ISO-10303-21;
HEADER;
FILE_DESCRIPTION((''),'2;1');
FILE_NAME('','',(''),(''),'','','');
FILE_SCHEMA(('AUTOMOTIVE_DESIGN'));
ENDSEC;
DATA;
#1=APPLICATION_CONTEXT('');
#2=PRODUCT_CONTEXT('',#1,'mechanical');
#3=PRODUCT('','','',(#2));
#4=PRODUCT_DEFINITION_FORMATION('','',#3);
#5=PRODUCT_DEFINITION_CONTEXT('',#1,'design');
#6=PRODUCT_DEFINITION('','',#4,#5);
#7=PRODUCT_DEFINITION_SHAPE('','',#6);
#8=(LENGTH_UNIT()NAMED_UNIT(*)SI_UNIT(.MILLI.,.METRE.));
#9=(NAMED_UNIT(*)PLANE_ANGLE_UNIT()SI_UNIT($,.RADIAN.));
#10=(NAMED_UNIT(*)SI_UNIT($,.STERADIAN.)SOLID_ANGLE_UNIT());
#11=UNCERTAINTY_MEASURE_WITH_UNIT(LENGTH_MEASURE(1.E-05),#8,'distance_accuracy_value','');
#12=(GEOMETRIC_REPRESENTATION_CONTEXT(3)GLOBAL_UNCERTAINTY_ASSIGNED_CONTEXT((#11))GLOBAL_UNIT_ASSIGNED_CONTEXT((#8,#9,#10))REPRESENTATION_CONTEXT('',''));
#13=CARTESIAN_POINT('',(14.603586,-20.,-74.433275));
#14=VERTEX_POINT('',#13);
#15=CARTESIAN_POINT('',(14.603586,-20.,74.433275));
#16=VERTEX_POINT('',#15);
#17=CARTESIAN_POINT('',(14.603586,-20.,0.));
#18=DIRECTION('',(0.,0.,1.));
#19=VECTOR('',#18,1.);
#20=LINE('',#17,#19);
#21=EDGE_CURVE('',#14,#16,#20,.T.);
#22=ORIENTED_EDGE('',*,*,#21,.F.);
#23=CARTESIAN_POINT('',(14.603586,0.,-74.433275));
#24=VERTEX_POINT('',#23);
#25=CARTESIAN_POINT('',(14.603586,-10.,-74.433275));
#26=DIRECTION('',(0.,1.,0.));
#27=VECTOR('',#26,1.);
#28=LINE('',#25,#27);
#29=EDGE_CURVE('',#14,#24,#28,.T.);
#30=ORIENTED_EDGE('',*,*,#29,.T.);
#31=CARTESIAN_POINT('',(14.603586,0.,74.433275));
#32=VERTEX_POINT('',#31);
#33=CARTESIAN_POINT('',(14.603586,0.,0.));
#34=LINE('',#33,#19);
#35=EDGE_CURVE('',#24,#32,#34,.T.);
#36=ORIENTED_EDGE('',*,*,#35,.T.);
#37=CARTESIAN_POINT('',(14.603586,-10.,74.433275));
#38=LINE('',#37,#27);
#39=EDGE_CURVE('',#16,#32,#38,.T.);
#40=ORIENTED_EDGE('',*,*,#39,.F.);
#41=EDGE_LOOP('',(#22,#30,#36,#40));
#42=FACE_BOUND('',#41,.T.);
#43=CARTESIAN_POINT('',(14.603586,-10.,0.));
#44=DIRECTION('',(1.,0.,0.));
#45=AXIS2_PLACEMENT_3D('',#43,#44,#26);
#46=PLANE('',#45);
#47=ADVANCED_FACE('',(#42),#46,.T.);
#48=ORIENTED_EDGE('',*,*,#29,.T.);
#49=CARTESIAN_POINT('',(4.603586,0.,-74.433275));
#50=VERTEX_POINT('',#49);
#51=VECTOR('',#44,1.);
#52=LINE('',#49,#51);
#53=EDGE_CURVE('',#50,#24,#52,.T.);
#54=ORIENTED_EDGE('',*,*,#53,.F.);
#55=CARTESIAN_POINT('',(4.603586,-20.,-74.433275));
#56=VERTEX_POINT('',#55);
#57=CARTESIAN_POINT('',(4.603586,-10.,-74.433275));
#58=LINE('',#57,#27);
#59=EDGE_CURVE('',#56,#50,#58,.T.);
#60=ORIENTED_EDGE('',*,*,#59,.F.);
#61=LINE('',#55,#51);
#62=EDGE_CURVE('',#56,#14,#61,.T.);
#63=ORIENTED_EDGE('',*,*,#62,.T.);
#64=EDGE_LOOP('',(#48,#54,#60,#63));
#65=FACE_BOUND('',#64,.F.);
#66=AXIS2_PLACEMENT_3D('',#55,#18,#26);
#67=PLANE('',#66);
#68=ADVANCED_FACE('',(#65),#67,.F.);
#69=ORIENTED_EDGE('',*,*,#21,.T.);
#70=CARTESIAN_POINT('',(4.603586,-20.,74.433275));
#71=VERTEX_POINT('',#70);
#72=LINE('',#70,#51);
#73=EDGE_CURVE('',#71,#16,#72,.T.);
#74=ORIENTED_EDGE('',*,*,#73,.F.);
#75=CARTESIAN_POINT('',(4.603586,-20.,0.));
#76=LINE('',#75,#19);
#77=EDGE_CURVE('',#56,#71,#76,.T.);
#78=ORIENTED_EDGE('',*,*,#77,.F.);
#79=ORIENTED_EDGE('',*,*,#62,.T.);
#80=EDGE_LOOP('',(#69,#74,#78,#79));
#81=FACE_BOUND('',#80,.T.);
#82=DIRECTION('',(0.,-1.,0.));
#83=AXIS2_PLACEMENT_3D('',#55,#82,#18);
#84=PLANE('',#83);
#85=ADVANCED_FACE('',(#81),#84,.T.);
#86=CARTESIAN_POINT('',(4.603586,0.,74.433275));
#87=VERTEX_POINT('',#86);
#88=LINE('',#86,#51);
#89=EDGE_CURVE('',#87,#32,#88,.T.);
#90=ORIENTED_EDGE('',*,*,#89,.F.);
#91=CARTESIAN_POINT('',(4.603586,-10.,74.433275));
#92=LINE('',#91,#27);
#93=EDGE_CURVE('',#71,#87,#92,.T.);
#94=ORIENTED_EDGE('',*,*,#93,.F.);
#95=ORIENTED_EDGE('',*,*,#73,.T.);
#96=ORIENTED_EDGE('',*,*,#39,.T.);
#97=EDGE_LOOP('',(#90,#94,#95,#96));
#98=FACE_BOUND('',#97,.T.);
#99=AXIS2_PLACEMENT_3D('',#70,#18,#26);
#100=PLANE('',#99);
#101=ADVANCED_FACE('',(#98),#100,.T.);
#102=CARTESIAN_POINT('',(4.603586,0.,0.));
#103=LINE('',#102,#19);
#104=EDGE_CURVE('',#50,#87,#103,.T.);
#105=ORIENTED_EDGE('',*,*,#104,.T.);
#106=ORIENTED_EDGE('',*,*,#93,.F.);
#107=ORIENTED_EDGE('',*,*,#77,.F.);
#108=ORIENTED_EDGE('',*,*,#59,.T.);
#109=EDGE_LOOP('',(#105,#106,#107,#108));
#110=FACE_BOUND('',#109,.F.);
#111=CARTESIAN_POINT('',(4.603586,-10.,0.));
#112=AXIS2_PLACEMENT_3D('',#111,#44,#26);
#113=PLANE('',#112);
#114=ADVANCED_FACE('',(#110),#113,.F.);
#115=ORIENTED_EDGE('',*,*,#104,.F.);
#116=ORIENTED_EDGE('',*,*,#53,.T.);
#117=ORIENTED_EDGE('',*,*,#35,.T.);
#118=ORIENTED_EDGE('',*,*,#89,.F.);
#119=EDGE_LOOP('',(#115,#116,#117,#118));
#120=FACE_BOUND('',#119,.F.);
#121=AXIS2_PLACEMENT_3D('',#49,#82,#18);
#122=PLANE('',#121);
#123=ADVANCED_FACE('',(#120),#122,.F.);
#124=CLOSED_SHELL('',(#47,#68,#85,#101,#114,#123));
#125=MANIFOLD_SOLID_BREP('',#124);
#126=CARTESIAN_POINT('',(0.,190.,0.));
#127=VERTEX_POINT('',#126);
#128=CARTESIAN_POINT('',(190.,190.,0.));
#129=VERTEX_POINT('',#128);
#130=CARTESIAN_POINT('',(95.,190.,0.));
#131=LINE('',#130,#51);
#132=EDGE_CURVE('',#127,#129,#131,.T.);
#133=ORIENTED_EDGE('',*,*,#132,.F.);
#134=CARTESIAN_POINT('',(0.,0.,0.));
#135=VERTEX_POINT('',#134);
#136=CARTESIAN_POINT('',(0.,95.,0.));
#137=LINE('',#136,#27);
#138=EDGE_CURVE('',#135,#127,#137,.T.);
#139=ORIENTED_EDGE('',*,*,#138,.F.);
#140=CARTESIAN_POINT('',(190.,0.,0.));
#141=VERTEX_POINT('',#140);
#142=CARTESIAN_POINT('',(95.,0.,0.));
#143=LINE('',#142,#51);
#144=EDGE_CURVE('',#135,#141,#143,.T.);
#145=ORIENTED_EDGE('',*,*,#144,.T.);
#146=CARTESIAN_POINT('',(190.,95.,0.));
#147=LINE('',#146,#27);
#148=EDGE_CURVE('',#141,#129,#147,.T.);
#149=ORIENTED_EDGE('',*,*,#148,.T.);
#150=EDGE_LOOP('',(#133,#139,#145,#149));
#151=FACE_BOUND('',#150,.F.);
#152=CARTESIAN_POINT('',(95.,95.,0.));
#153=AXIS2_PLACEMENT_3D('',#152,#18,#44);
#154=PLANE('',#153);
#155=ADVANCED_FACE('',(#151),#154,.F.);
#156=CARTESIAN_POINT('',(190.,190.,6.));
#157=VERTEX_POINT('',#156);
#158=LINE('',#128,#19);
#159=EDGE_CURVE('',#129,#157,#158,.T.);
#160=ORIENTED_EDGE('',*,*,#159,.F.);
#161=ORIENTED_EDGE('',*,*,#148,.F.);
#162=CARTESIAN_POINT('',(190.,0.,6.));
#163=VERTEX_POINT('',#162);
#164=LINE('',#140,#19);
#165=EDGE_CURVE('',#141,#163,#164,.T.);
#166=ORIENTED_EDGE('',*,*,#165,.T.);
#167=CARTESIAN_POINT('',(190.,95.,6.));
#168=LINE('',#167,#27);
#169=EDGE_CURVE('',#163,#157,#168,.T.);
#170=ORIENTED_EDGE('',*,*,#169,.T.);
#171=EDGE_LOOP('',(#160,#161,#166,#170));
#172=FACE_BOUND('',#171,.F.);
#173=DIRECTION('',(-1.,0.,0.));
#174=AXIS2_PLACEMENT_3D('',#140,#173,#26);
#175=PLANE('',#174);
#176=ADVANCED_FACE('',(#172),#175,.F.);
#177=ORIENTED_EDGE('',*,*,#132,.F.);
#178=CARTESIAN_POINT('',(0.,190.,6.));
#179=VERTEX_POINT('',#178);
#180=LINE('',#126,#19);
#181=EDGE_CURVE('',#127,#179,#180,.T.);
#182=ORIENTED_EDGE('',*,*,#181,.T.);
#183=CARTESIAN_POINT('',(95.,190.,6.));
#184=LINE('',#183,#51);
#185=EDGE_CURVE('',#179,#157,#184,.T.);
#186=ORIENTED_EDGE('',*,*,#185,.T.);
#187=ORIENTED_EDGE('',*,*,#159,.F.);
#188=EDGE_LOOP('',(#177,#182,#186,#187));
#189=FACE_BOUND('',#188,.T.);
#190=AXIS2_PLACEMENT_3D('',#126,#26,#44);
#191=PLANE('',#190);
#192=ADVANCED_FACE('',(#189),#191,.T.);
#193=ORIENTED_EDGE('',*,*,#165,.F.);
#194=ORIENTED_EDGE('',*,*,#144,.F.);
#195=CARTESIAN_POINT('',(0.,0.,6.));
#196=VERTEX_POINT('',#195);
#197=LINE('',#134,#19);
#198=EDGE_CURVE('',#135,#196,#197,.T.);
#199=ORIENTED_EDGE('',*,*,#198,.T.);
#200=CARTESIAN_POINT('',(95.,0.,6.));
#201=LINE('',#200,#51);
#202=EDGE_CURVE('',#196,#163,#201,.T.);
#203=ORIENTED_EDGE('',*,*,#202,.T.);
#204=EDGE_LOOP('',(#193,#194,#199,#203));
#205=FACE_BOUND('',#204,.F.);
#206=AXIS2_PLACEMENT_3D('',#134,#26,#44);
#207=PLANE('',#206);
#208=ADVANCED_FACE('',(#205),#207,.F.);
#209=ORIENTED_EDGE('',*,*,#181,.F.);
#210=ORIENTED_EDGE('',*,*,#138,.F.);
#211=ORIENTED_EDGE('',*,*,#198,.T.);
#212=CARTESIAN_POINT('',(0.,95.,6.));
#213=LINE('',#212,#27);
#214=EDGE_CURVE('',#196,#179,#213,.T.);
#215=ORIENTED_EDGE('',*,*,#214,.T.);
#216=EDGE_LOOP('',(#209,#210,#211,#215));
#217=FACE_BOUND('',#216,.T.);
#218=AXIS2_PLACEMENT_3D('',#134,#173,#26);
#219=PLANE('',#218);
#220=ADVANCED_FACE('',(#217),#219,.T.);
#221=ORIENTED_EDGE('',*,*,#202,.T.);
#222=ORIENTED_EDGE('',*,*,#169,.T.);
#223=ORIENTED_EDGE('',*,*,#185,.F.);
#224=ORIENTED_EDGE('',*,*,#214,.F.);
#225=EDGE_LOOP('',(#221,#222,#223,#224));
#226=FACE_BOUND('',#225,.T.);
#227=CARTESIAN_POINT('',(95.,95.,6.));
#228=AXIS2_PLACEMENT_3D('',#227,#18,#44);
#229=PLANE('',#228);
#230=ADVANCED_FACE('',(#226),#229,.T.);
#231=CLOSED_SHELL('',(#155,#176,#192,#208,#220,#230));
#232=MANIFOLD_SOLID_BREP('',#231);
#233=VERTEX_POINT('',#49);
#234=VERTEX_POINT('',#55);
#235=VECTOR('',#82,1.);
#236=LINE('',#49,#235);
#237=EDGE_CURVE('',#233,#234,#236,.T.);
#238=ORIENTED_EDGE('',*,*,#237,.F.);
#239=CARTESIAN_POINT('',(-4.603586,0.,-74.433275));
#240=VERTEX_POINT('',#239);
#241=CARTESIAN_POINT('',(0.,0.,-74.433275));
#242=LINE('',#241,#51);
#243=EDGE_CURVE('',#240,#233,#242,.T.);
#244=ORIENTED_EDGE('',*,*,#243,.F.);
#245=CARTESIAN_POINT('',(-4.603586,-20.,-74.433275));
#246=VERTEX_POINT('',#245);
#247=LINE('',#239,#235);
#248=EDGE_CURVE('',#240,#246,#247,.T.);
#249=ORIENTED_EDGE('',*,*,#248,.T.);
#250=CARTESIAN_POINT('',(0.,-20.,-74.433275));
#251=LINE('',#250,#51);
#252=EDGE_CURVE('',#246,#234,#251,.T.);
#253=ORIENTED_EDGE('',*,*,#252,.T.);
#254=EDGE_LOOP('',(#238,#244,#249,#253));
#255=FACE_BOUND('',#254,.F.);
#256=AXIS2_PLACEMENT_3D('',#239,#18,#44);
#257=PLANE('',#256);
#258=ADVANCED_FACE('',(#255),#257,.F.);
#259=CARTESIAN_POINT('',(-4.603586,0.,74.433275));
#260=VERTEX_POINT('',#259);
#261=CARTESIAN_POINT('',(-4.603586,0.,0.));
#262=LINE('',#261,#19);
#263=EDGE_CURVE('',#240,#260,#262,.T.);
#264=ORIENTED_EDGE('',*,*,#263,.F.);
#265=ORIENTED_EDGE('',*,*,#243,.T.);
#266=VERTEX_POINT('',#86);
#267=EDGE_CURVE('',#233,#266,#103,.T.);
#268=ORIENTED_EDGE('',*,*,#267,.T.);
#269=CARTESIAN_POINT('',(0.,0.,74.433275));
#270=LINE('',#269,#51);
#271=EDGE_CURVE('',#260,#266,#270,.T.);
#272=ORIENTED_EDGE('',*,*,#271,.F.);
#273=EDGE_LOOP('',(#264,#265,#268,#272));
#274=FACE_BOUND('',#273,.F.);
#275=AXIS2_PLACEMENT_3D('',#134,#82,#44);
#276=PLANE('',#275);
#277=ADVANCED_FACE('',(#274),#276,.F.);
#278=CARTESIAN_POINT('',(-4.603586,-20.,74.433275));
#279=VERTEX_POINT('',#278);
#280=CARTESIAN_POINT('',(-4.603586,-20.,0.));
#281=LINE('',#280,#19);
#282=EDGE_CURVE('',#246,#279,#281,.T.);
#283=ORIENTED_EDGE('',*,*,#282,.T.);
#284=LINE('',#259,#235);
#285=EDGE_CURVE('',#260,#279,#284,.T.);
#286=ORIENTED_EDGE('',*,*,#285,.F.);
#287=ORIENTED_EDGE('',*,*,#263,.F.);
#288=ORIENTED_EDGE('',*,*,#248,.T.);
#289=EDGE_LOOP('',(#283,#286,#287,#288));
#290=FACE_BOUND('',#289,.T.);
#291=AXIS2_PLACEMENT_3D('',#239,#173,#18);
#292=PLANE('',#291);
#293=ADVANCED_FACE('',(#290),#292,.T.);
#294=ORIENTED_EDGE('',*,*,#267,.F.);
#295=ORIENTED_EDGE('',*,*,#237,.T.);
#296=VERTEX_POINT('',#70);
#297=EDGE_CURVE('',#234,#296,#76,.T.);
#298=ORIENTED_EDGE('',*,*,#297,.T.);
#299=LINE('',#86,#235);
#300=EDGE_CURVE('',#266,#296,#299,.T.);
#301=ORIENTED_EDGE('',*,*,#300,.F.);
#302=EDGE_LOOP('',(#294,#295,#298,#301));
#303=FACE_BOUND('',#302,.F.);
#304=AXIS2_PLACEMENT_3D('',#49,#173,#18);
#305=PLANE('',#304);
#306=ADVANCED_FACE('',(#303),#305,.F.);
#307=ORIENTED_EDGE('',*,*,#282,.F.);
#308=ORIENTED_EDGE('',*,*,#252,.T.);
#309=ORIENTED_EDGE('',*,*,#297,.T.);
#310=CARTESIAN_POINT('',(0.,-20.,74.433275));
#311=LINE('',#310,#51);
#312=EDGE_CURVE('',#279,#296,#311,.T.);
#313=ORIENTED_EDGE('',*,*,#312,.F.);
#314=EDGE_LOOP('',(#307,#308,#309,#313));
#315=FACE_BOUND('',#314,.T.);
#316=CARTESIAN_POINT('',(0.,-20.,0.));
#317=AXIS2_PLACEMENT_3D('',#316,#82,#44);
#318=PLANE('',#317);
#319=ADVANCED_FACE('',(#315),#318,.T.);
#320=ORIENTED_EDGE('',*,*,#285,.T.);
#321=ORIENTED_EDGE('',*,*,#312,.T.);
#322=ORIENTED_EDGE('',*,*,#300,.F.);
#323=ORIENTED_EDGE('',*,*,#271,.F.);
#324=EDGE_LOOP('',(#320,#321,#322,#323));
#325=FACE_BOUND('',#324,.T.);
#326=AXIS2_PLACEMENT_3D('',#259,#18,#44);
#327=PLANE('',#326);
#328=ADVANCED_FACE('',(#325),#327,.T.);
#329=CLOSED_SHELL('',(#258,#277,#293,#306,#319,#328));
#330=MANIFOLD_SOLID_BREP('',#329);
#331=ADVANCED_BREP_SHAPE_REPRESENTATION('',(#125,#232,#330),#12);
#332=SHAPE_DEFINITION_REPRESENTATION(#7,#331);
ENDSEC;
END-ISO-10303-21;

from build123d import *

# Parameters (mm, degrees)
F0_W      = 190
F0_H      = 190
F1_DEPTH  = 6
F2_W      = 9.207172
F2_H      = 148.86655
F3_DEPTH  = 20
F3_FACE_W = 20
F3_FACE_H = 148.86655
F4_DEPTH  = 10


with BuildPart() as f1:
    # F0 (on Top) → F1 (new body)
    with BuildSketch(Plane.XY):
        with Locations((95, 95)):
            Rectangle(F0_W, F0_H)
    extrude(amount=F1_DEPTH)


with BuildPart() as f3:
    # F2 (on Front) → F3 (new body)
    with BuildSketch(Plane.XZ):
        Rectangle(F2_W, F2_H)
    extrude(amount=F3_DEPTH)


with BuildPart() as f4:
    # F3_face (on face) → F4 (new body)
    with BuildSketch(Plane(origin=(4.603586, -10, 0), x_dir=(0, 1, 0), z_dir=(1, 0, 0))):
        Rectangle(F3_FACE_W, F3_FACE_H)
    extrude(amount=F4_DEPTH)


solid = Compound([f1.part, f3.part, f4.part])
